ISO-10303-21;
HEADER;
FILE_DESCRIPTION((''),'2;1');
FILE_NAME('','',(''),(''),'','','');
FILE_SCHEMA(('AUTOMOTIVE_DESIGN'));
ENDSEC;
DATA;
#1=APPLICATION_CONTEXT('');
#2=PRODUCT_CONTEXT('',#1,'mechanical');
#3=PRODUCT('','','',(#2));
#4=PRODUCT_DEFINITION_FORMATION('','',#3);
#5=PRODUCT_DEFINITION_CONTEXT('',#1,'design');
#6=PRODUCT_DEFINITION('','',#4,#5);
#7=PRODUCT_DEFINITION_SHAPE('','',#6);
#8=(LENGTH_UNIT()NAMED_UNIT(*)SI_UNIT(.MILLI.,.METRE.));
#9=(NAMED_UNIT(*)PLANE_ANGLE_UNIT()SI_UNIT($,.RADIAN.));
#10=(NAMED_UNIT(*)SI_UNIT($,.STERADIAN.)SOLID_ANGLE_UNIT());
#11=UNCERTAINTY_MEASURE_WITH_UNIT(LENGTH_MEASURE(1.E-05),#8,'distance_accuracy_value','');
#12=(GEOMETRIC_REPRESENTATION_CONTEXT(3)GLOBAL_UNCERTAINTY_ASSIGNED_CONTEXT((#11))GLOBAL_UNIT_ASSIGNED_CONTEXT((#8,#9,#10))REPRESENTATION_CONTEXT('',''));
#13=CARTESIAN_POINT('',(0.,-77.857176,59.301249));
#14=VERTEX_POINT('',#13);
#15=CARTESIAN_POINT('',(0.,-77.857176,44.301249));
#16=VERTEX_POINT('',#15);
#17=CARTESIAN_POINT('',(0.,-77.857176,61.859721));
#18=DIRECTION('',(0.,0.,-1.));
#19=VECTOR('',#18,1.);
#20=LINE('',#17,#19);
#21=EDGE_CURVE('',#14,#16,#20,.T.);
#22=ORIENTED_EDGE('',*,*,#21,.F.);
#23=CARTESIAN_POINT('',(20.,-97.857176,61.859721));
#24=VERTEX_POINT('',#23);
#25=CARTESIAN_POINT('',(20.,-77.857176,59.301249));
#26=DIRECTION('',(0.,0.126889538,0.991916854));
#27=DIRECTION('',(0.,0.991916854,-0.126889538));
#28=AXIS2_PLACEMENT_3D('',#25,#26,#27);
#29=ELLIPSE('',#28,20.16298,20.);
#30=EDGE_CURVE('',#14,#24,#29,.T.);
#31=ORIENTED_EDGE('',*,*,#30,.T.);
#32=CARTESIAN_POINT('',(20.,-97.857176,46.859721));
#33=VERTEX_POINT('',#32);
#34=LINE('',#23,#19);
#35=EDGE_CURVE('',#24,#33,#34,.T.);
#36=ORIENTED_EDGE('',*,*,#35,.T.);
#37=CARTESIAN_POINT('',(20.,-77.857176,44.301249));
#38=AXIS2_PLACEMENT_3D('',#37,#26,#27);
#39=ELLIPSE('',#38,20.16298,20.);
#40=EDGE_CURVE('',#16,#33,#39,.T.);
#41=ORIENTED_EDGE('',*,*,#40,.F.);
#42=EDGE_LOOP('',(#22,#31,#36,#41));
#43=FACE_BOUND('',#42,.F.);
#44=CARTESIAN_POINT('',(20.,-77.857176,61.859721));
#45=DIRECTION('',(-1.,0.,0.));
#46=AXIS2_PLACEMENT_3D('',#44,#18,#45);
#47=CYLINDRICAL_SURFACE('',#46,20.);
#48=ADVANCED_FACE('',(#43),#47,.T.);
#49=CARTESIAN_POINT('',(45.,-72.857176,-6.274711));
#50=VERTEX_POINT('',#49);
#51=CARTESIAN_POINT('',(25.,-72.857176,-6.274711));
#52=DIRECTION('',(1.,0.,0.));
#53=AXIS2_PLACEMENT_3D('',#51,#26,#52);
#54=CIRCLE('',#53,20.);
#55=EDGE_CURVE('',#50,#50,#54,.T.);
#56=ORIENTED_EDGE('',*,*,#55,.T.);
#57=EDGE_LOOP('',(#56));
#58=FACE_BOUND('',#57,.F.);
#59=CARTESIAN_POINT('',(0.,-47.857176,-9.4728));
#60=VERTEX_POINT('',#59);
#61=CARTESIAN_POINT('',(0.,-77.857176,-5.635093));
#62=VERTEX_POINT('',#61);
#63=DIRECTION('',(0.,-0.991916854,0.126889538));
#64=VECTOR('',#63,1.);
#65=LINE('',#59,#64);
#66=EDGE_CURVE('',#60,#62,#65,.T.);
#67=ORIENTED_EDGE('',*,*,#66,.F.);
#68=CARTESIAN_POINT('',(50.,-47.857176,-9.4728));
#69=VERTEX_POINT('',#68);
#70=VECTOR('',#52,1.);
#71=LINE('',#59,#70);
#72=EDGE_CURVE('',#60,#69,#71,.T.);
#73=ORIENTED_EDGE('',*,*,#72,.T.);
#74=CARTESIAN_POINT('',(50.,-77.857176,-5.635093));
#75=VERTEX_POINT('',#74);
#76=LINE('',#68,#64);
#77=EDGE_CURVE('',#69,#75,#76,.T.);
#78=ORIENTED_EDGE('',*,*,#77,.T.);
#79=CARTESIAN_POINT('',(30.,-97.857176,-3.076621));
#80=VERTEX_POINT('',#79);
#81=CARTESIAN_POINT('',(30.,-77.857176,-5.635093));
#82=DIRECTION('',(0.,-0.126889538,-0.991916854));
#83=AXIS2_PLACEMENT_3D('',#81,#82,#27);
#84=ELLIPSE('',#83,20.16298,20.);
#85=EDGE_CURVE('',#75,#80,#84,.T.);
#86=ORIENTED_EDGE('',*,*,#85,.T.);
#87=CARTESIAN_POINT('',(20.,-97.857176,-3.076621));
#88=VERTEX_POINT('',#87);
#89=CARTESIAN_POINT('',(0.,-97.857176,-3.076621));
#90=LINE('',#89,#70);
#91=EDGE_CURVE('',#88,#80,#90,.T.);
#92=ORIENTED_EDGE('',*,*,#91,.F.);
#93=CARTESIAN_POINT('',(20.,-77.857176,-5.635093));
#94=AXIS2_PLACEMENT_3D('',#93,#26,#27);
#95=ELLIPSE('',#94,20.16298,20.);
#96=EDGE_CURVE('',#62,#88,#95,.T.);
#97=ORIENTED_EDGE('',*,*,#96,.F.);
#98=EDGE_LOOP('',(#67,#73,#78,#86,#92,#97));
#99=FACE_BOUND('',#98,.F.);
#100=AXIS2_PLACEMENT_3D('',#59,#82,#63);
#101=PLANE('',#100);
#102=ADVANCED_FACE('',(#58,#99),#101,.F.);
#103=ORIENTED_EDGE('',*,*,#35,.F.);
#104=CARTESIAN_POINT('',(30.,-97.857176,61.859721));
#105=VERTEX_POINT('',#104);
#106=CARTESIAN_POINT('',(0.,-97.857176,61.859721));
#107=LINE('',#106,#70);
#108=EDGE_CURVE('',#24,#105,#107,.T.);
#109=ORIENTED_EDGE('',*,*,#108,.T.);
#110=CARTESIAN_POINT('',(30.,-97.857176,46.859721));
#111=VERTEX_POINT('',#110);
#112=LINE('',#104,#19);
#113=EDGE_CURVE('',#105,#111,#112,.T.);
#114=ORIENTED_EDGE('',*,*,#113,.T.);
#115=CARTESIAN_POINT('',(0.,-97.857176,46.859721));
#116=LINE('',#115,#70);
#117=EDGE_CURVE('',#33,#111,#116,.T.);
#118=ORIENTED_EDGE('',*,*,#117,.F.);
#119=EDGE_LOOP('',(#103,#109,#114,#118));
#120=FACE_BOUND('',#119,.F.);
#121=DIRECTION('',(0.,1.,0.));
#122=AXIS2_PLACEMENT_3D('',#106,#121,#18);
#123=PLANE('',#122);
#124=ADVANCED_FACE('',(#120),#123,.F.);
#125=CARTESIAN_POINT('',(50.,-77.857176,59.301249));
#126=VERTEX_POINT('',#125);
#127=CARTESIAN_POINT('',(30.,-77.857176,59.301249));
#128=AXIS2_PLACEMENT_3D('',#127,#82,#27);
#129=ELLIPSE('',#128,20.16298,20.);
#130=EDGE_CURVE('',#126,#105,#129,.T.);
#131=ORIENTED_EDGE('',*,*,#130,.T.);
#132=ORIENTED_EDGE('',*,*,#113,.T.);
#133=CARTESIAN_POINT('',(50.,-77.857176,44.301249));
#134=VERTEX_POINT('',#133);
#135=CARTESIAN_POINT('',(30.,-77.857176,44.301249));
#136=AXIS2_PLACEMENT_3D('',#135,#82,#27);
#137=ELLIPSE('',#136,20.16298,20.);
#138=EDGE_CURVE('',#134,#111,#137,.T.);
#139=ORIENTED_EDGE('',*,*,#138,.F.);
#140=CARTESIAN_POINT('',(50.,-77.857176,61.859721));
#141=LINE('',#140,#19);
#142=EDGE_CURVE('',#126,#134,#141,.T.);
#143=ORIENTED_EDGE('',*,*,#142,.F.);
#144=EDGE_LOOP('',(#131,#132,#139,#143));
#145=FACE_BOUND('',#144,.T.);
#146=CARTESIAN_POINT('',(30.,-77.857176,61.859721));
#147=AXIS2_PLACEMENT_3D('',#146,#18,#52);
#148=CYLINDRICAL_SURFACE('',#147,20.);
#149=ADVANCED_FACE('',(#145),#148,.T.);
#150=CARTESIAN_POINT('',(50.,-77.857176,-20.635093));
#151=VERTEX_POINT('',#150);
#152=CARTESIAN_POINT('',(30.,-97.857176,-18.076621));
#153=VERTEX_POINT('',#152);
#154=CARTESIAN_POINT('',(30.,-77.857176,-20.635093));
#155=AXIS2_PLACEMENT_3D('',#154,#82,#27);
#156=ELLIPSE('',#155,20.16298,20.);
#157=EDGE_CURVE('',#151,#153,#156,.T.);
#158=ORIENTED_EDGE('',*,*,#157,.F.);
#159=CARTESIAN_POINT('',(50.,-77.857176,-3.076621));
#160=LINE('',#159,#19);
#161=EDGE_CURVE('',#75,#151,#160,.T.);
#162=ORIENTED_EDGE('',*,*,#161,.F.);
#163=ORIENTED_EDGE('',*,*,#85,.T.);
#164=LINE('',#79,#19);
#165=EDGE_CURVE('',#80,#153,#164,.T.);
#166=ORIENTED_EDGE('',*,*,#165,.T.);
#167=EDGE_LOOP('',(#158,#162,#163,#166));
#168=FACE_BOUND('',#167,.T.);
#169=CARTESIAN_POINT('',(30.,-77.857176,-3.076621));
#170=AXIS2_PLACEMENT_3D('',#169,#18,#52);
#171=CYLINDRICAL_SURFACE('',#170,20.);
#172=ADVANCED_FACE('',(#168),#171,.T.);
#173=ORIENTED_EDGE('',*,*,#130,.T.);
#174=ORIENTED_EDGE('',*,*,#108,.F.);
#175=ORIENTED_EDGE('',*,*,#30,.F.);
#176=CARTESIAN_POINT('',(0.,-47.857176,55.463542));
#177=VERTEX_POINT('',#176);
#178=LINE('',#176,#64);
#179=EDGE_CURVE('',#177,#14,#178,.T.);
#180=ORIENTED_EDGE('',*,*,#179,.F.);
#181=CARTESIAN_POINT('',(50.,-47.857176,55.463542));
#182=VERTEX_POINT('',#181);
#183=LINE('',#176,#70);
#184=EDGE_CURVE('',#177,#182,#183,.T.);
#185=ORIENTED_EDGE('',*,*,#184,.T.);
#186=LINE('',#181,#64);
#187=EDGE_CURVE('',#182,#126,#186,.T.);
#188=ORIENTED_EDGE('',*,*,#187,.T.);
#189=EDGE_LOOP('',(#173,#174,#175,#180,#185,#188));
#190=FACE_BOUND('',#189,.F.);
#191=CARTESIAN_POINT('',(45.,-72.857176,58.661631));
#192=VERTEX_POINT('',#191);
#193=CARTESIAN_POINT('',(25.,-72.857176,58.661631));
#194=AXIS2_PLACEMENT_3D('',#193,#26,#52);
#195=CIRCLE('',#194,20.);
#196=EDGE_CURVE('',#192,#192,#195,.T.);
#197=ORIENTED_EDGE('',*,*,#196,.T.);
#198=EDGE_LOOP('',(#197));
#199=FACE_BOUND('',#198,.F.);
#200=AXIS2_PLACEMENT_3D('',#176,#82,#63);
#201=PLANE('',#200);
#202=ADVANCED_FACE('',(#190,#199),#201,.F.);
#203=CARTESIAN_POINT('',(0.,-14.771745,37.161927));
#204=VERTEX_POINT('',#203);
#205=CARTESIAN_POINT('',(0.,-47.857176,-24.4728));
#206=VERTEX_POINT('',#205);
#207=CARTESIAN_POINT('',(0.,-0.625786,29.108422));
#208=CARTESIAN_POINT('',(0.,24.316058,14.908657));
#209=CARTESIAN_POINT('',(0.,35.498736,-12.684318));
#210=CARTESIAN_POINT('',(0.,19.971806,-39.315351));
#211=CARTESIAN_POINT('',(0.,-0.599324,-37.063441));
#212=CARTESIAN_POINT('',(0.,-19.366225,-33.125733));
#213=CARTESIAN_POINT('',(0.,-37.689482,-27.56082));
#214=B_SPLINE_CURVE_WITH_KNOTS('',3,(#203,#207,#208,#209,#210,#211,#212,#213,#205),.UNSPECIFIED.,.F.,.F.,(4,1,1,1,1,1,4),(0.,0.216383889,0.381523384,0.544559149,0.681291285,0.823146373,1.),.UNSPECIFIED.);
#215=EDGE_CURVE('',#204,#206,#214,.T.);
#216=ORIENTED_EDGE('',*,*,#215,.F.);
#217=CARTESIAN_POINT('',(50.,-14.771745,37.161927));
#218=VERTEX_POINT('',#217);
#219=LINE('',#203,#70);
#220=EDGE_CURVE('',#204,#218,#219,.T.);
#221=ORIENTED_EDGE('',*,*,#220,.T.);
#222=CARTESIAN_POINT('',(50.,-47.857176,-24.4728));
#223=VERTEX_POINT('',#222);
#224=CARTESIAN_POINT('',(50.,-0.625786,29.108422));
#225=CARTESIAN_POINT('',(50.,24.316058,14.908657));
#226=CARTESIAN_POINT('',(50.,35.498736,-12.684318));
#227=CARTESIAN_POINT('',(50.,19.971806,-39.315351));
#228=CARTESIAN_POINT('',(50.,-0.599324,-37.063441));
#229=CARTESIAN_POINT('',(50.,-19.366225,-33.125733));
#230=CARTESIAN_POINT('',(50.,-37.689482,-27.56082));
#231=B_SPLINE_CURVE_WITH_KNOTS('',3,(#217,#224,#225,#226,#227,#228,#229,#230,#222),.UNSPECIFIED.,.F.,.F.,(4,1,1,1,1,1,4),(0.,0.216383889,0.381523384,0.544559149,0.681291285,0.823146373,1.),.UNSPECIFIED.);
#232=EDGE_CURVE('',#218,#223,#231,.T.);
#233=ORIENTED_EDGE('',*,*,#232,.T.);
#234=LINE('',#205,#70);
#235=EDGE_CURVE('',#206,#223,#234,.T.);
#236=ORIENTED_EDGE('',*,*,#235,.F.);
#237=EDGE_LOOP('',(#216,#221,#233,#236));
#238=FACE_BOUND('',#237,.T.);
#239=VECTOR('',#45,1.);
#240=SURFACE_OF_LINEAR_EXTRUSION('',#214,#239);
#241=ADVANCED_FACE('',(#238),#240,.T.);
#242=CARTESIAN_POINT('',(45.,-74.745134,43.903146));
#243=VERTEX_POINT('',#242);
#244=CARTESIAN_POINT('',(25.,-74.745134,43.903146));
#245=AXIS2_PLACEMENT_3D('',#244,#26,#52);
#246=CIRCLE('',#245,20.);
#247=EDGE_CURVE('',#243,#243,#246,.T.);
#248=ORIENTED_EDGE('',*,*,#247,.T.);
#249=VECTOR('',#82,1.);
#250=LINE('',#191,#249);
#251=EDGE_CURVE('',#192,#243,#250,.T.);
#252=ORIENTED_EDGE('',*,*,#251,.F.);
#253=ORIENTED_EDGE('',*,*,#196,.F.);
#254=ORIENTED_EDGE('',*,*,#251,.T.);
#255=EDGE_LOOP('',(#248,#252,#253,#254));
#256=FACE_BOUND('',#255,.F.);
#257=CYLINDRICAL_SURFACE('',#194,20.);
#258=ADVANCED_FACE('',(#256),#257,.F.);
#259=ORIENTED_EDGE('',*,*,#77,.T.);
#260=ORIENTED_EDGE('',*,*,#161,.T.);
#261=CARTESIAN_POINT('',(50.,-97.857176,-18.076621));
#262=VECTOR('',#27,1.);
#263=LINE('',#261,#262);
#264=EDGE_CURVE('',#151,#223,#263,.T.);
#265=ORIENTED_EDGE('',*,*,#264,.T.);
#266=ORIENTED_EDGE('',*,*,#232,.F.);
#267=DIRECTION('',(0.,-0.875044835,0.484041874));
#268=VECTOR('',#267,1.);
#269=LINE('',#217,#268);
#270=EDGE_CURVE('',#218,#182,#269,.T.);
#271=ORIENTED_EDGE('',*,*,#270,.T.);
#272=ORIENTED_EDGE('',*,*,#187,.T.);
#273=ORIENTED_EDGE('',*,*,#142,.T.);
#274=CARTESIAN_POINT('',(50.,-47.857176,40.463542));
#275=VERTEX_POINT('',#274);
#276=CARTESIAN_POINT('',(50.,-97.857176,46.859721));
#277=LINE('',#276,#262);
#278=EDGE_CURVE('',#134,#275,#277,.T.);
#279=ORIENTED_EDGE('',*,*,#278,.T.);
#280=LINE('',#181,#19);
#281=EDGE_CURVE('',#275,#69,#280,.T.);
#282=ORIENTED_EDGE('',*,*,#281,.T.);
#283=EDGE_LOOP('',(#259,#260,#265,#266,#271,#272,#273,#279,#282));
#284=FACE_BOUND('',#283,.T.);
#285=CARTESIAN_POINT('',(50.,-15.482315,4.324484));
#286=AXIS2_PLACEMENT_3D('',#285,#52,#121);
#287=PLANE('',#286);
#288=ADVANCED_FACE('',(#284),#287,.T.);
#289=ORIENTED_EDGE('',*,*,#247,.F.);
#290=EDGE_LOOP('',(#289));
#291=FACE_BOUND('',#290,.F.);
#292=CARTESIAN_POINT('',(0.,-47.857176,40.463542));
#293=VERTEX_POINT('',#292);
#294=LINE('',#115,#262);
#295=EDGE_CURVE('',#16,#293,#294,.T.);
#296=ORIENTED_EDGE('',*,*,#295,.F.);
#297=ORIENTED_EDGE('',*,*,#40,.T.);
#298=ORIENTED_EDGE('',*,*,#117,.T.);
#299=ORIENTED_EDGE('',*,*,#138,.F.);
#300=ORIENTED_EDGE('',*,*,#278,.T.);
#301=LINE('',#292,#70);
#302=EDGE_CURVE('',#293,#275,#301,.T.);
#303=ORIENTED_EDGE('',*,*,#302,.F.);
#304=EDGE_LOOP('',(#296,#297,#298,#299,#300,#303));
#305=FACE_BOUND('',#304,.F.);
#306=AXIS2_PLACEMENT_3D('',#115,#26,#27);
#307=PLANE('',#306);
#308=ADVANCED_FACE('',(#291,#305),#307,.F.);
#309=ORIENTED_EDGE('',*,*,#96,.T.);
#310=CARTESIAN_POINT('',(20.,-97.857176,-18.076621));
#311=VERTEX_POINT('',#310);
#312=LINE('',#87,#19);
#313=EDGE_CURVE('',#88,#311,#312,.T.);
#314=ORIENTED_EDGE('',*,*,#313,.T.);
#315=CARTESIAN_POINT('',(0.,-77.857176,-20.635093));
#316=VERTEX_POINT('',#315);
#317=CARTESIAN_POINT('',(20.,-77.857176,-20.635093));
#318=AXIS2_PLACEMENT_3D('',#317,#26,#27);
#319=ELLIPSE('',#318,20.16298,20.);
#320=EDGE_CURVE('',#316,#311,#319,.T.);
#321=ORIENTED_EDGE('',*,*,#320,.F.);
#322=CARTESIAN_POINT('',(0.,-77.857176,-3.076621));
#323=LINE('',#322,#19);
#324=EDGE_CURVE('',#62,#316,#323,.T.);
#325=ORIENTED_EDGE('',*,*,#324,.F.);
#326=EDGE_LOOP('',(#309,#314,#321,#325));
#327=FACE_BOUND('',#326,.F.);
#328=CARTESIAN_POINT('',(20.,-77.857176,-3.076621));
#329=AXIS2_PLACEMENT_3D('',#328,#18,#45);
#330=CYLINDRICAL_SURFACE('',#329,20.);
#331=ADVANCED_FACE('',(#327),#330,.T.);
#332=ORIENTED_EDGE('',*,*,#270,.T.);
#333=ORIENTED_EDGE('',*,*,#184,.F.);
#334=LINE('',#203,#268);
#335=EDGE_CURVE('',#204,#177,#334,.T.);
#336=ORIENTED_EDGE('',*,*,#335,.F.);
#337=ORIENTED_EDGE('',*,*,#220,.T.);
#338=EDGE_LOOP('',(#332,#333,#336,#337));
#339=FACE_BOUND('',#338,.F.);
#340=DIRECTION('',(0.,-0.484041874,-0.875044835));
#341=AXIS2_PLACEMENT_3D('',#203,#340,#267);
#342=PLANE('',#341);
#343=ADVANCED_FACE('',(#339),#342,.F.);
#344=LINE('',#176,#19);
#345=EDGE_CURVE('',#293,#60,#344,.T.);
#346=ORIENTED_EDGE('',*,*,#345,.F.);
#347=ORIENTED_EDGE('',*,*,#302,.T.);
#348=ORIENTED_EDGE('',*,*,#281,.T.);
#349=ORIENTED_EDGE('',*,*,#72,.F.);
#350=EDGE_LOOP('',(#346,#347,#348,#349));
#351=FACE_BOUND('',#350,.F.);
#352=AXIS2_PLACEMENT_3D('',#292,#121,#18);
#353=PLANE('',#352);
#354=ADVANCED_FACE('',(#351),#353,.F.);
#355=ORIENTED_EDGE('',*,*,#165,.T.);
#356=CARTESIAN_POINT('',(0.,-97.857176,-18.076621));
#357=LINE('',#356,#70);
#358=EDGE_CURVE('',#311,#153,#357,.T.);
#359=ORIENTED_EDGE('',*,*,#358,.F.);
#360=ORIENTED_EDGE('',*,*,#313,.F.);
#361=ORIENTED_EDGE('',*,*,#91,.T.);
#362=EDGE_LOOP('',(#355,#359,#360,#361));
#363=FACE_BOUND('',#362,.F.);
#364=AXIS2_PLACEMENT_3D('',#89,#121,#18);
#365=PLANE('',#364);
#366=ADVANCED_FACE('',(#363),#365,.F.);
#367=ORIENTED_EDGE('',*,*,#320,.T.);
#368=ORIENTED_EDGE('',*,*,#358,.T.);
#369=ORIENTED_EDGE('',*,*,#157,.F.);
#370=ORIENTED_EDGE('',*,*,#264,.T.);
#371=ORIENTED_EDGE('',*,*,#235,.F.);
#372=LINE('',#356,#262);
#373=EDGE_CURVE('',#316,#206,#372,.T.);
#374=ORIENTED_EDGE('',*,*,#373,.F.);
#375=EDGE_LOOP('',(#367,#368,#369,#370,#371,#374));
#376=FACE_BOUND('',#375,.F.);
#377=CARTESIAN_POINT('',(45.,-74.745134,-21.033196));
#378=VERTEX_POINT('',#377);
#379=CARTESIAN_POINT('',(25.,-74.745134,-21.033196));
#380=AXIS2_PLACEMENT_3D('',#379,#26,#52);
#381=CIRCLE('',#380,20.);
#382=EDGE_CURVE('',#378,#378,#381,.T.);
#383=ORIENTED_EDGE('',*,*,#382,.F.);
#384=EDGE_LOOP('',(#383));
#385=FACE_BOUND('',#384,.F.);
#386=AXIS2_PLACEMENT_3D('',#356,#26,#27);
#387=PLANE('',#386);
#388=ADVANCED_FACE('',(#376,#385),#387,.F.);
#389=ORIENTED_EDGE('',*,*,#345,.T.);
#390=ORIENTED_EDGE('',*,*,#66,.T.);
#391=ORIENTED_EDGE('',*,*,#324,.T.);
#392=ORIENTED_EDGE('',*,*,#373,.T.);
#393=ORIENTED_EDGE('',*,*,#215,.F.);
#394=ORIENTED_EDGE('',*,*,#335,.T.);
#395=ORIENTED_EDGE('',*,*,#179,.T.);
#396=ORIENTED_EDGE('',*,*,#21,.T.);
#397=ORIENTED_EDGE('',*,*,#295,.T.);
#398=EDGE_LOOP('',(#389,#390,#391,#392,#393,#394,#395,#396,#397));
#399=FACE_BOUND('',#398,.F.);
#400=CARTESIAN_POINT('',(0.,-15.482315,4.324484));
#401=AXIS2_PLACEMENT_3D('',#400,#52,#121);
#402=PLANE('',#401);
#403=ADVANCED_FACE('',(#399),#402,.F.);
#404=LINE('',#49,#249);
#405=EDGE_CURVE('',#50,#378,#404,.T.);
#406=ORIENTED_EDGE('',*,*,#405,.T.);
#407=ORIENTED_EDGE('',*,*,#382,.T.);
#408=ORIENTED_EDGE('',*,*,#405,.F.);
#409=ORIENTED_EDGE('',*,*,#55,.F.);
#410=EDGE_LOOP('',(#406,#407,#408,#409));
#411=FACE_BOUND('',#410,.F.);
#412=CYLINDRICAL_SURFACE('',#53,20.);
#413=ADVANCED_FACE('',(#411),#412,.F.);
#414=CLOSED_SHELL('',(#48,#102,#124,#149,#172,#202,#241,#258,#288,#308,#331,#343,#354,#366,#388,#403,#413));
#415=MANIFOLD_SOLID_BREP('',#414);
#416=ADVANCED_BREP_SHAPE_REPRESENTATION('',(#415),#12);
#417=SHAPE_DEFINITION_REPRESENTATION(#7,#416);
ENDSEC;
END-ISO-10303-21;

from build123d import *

# Parameters (mm, degrees)
F1_DEPTH = 50
F2_R     = 20
F3_R     = 20
F4_DEPTH = 25
F5_R     = 20


with BuildPart() as f1:
    # F0 (on Right) → F1 (new body)
    with BuildSketch(Plane.YZ):
        with BuildLine():
            Line((-14.7717447108, 37.161927035), (-47.8571756776, 55.4635424193))
            Line((-47.8571756776, 55.4635424193), (-47.8571756776, 40.4635424193))
            Line((-47.8571756776, 40.4635424193), (-47.8571756776, -9.4727996407))
            Line((-47.8571756776, -9.4727996407), (-47.8571756776, -24.4727996407))
            add(Edge.make_bspline(
                [(-14.7717447108, 37.161927035), (-0.6257863245, 29.1084223031), (24.3160576755, 14.9086567521), (35.4987360732, -12.6843183745), (19.9718061876, -39.3153511409), (-0.5993235275, -37.0634411457), (-19.3662246293, -33.1257327078), (-37.68948195, -27.5608195153), (-47.8571756776, -24.4727996407)],
                knots=[0, 0, 0, 0, 0.216383889, 0.3815233838, 0.5445591486, 0.681291285, 0.8231463725, 1, 1, 1, 1], degree=3))
        make_face()
        Polygon((-47.8571756776, 40.4635424193), (-47.8571756776, 55.4635424193), (-97.8571756776, 61.8597205765), (-97.8571756776, 46.8597205765), align=None)
        Polygon((-47.8571756776, -24.4727996407), (-47.8571756776, -9.4727996407), (-97.8571756776, -3.0766214835), (-97.8571756776, -18.0766214835), align=None)
    extrude(amount=F1_DEPTH)

    # F2 (on face) + F3 (on face) → F4 (cut)
    with BuildSketch(Plane(origin=(0, 6.2103099541, 48.547037007), x_dir=(1, 0, 0), z_dir=(0, 0.1268895383, 0.9919168539))):
        with Locations((25, -79.7118078194)):
            Circle(F2_R)
    with BuildSketch(Plane(origin=(0, -1.9628294665, -15.3437679362), x_dir=(1, 0, 0), z_dir=(0, 0.1268895383, 0.9919168539))):
        with Locations((25, -71.4720653568)):
            Circle(F3_R)
    extrude(amount=-F4_DEPTH, mode=Mode.SUBTRACT)

    # F5
    f5_edges = [f1.edges().sort_by_distance(p)[0] for p in [
        (0, -97.857176, 54.359721),
        (50, -97.857176, 54.359721),
        (0, -97.857176, -10.576621),
        (50, -97.857176, -10.576621),
    ]]
    fillet(f5_edges, radius=F5_R)


solid = f1.part
